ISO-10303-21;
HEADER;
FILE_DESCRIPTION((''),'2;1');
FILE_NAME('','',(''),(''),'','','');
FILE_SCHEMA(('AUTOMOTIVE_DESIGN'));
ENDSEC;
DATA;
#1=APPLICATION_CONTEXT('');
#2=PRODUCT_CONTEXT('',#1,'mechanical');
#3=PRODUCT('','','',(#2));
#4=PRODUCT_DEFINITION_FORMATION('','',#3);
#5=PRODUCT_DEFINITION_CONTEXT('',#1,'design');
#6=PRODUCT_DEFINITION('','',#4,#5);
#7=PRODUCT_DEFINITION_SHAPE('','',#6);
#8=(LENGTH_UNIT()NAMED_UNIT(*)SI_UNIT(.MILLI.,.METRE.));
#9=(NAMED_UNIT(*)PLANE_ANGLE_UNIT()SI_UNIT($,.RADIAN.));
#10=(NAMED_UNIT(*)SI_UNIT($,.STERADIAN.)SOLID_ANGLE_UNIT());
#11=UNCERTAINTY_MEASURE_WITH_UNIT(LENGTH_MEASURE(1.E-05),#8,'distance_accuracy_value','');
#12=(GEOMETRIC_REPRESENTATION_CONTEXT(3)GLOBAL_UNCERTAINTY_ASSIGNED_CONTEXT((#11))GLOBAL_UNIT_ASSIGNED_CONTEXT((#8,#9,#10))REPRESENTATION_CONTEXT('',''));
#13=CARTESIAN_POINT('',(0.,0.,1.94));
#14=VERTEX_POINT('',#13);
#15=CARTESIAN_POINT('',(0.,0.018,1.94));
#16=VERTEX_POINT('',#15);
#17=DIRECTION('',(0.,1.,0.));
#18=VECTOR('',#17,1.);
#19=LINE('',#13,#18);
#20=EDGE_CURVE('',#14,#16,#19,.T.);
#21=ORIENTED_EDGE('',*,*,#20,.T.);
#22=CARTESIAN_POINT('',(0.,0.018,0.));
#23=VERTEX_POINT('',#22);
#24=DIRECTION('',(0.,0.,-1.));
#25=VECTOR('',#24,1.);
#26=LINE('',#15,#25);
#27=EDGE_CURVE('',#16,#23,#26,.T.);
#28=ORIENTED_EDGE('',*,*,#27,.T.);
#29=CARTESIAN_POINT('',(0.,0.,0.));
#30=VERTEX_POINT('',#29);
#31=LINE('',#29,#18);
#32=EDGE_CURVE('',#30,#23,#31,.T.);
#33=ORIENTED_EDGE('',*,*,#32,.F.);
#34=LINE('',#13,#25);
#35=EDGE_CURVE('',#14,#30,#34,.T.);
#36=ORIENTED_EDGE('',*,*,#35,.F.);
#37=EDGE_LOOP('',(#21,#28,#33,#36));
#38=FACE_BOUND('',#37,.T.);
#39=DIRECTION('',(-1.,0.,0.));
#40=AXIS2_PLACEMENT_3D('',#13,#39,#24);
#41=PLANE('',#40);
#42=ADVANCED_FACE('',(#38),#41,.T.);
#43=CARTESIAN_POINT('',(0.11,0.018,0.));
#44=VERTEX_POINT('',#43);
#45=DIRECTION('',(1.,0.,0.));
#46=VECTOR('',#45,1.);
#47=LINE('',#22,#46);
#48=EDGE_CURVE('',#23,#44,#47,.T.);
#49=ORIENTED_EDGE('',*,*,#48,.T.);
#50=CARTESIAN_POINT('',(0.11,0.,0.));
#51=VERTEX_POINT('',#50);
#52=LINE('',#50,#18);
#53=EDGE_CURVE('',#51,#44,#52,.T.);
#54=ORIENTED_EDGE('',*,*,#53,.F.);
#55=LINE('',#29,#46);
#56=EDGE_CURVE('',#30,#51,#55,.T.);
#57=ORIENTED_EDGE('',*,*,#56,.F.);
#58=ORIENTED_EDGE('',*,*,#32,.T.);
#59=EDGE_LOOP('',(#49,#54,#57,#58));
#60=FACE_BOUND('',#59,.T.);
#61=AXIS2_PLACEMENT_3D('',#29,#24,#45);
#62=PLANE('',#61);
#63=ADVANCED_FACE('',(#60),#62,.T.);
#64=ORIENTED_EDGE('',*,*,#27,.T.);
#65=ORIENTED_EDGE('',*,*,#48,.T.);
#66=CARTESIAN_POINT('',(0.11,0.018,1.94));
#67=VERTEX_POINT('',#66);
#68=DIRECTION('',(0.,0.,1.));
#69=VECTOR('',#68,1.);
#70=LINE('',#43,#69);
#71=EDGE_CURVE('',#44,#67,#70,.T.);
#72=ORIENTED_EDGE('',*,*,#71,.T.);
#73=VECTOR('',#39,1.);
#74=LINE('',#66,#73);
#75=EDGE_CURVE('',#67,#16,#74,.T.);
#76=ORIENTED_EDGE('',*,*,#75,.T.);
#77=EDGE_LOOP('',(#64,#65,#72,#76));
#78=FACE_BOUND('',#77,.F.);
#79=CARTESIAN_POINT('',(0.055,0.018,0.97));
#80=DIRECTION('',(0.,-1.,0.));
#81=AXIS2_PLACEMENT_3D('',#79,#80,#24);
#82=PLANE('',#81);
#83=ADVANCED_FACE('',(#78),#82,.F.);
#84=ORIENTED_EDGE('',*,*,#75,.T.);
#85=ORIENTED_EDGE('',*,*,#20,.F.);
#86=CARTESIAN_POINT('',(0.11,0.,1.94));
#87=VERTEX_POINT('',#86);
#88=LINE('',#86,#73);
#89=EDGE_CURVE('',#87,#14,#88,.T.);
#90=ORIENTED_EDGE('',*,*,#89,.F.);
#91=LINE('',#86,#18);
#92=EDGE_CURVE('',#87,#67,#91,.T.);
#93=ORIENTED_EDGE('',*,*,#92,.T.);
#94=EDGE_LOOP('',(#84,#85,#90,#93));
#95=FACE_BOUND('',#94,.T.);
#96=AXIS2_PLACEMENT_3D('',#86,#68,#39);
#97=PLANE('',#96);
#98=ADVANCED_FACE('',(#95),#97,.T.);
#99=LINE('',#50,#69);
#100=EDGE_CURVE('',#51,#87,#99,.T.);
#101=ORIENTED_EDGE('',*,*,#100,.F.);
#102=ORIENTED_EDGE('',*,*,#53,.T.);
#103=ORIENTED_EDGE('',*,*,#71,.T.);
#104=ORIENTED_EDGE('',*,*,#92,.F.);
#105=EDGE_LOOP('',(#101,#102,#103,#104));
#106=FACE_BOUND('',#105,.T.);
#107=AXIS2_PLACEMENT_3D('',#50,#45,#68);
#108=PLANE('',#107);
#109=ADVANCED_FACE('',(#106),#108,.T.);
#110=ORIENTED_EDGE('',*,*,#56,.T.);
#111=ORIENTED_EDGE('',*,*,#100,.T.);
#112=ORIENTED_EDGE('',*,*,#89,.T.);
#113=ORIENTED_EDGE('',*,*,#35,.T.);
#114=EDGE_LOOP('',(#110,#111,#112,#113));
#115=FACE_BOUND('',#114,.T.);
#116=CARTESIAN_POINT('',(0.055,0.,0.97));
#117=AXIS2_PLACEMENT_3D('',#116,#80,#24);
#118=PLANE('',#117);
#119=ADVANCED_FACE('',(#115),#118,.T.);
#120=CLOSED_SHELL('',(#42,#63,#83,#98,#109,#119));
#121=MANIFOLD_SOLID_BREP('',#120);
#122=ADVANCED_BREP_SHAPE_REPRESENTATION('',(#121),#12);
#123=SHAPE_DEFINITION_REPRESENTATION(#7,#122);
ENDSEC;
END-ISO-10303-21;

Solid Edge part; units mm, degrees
sketch "Sketch1" plane through (0, 0, 0) normal (0, -1, 0) x (1, 0, 0)
  line L0 (0, 0) -> (0.11, 0)
  line L1 (0.11, 0) -> (0.11, 1.94)
  line L2 (0.11, 1.94) -> (0, 1.94)
  line L3 (0, 1.94) -> (0, 0)
  dimension "D1" = 1.94
  dimension "D2" = 0.11
extrude "Protrusion1" add sketch "Sketch1" against normal blind 0.018
